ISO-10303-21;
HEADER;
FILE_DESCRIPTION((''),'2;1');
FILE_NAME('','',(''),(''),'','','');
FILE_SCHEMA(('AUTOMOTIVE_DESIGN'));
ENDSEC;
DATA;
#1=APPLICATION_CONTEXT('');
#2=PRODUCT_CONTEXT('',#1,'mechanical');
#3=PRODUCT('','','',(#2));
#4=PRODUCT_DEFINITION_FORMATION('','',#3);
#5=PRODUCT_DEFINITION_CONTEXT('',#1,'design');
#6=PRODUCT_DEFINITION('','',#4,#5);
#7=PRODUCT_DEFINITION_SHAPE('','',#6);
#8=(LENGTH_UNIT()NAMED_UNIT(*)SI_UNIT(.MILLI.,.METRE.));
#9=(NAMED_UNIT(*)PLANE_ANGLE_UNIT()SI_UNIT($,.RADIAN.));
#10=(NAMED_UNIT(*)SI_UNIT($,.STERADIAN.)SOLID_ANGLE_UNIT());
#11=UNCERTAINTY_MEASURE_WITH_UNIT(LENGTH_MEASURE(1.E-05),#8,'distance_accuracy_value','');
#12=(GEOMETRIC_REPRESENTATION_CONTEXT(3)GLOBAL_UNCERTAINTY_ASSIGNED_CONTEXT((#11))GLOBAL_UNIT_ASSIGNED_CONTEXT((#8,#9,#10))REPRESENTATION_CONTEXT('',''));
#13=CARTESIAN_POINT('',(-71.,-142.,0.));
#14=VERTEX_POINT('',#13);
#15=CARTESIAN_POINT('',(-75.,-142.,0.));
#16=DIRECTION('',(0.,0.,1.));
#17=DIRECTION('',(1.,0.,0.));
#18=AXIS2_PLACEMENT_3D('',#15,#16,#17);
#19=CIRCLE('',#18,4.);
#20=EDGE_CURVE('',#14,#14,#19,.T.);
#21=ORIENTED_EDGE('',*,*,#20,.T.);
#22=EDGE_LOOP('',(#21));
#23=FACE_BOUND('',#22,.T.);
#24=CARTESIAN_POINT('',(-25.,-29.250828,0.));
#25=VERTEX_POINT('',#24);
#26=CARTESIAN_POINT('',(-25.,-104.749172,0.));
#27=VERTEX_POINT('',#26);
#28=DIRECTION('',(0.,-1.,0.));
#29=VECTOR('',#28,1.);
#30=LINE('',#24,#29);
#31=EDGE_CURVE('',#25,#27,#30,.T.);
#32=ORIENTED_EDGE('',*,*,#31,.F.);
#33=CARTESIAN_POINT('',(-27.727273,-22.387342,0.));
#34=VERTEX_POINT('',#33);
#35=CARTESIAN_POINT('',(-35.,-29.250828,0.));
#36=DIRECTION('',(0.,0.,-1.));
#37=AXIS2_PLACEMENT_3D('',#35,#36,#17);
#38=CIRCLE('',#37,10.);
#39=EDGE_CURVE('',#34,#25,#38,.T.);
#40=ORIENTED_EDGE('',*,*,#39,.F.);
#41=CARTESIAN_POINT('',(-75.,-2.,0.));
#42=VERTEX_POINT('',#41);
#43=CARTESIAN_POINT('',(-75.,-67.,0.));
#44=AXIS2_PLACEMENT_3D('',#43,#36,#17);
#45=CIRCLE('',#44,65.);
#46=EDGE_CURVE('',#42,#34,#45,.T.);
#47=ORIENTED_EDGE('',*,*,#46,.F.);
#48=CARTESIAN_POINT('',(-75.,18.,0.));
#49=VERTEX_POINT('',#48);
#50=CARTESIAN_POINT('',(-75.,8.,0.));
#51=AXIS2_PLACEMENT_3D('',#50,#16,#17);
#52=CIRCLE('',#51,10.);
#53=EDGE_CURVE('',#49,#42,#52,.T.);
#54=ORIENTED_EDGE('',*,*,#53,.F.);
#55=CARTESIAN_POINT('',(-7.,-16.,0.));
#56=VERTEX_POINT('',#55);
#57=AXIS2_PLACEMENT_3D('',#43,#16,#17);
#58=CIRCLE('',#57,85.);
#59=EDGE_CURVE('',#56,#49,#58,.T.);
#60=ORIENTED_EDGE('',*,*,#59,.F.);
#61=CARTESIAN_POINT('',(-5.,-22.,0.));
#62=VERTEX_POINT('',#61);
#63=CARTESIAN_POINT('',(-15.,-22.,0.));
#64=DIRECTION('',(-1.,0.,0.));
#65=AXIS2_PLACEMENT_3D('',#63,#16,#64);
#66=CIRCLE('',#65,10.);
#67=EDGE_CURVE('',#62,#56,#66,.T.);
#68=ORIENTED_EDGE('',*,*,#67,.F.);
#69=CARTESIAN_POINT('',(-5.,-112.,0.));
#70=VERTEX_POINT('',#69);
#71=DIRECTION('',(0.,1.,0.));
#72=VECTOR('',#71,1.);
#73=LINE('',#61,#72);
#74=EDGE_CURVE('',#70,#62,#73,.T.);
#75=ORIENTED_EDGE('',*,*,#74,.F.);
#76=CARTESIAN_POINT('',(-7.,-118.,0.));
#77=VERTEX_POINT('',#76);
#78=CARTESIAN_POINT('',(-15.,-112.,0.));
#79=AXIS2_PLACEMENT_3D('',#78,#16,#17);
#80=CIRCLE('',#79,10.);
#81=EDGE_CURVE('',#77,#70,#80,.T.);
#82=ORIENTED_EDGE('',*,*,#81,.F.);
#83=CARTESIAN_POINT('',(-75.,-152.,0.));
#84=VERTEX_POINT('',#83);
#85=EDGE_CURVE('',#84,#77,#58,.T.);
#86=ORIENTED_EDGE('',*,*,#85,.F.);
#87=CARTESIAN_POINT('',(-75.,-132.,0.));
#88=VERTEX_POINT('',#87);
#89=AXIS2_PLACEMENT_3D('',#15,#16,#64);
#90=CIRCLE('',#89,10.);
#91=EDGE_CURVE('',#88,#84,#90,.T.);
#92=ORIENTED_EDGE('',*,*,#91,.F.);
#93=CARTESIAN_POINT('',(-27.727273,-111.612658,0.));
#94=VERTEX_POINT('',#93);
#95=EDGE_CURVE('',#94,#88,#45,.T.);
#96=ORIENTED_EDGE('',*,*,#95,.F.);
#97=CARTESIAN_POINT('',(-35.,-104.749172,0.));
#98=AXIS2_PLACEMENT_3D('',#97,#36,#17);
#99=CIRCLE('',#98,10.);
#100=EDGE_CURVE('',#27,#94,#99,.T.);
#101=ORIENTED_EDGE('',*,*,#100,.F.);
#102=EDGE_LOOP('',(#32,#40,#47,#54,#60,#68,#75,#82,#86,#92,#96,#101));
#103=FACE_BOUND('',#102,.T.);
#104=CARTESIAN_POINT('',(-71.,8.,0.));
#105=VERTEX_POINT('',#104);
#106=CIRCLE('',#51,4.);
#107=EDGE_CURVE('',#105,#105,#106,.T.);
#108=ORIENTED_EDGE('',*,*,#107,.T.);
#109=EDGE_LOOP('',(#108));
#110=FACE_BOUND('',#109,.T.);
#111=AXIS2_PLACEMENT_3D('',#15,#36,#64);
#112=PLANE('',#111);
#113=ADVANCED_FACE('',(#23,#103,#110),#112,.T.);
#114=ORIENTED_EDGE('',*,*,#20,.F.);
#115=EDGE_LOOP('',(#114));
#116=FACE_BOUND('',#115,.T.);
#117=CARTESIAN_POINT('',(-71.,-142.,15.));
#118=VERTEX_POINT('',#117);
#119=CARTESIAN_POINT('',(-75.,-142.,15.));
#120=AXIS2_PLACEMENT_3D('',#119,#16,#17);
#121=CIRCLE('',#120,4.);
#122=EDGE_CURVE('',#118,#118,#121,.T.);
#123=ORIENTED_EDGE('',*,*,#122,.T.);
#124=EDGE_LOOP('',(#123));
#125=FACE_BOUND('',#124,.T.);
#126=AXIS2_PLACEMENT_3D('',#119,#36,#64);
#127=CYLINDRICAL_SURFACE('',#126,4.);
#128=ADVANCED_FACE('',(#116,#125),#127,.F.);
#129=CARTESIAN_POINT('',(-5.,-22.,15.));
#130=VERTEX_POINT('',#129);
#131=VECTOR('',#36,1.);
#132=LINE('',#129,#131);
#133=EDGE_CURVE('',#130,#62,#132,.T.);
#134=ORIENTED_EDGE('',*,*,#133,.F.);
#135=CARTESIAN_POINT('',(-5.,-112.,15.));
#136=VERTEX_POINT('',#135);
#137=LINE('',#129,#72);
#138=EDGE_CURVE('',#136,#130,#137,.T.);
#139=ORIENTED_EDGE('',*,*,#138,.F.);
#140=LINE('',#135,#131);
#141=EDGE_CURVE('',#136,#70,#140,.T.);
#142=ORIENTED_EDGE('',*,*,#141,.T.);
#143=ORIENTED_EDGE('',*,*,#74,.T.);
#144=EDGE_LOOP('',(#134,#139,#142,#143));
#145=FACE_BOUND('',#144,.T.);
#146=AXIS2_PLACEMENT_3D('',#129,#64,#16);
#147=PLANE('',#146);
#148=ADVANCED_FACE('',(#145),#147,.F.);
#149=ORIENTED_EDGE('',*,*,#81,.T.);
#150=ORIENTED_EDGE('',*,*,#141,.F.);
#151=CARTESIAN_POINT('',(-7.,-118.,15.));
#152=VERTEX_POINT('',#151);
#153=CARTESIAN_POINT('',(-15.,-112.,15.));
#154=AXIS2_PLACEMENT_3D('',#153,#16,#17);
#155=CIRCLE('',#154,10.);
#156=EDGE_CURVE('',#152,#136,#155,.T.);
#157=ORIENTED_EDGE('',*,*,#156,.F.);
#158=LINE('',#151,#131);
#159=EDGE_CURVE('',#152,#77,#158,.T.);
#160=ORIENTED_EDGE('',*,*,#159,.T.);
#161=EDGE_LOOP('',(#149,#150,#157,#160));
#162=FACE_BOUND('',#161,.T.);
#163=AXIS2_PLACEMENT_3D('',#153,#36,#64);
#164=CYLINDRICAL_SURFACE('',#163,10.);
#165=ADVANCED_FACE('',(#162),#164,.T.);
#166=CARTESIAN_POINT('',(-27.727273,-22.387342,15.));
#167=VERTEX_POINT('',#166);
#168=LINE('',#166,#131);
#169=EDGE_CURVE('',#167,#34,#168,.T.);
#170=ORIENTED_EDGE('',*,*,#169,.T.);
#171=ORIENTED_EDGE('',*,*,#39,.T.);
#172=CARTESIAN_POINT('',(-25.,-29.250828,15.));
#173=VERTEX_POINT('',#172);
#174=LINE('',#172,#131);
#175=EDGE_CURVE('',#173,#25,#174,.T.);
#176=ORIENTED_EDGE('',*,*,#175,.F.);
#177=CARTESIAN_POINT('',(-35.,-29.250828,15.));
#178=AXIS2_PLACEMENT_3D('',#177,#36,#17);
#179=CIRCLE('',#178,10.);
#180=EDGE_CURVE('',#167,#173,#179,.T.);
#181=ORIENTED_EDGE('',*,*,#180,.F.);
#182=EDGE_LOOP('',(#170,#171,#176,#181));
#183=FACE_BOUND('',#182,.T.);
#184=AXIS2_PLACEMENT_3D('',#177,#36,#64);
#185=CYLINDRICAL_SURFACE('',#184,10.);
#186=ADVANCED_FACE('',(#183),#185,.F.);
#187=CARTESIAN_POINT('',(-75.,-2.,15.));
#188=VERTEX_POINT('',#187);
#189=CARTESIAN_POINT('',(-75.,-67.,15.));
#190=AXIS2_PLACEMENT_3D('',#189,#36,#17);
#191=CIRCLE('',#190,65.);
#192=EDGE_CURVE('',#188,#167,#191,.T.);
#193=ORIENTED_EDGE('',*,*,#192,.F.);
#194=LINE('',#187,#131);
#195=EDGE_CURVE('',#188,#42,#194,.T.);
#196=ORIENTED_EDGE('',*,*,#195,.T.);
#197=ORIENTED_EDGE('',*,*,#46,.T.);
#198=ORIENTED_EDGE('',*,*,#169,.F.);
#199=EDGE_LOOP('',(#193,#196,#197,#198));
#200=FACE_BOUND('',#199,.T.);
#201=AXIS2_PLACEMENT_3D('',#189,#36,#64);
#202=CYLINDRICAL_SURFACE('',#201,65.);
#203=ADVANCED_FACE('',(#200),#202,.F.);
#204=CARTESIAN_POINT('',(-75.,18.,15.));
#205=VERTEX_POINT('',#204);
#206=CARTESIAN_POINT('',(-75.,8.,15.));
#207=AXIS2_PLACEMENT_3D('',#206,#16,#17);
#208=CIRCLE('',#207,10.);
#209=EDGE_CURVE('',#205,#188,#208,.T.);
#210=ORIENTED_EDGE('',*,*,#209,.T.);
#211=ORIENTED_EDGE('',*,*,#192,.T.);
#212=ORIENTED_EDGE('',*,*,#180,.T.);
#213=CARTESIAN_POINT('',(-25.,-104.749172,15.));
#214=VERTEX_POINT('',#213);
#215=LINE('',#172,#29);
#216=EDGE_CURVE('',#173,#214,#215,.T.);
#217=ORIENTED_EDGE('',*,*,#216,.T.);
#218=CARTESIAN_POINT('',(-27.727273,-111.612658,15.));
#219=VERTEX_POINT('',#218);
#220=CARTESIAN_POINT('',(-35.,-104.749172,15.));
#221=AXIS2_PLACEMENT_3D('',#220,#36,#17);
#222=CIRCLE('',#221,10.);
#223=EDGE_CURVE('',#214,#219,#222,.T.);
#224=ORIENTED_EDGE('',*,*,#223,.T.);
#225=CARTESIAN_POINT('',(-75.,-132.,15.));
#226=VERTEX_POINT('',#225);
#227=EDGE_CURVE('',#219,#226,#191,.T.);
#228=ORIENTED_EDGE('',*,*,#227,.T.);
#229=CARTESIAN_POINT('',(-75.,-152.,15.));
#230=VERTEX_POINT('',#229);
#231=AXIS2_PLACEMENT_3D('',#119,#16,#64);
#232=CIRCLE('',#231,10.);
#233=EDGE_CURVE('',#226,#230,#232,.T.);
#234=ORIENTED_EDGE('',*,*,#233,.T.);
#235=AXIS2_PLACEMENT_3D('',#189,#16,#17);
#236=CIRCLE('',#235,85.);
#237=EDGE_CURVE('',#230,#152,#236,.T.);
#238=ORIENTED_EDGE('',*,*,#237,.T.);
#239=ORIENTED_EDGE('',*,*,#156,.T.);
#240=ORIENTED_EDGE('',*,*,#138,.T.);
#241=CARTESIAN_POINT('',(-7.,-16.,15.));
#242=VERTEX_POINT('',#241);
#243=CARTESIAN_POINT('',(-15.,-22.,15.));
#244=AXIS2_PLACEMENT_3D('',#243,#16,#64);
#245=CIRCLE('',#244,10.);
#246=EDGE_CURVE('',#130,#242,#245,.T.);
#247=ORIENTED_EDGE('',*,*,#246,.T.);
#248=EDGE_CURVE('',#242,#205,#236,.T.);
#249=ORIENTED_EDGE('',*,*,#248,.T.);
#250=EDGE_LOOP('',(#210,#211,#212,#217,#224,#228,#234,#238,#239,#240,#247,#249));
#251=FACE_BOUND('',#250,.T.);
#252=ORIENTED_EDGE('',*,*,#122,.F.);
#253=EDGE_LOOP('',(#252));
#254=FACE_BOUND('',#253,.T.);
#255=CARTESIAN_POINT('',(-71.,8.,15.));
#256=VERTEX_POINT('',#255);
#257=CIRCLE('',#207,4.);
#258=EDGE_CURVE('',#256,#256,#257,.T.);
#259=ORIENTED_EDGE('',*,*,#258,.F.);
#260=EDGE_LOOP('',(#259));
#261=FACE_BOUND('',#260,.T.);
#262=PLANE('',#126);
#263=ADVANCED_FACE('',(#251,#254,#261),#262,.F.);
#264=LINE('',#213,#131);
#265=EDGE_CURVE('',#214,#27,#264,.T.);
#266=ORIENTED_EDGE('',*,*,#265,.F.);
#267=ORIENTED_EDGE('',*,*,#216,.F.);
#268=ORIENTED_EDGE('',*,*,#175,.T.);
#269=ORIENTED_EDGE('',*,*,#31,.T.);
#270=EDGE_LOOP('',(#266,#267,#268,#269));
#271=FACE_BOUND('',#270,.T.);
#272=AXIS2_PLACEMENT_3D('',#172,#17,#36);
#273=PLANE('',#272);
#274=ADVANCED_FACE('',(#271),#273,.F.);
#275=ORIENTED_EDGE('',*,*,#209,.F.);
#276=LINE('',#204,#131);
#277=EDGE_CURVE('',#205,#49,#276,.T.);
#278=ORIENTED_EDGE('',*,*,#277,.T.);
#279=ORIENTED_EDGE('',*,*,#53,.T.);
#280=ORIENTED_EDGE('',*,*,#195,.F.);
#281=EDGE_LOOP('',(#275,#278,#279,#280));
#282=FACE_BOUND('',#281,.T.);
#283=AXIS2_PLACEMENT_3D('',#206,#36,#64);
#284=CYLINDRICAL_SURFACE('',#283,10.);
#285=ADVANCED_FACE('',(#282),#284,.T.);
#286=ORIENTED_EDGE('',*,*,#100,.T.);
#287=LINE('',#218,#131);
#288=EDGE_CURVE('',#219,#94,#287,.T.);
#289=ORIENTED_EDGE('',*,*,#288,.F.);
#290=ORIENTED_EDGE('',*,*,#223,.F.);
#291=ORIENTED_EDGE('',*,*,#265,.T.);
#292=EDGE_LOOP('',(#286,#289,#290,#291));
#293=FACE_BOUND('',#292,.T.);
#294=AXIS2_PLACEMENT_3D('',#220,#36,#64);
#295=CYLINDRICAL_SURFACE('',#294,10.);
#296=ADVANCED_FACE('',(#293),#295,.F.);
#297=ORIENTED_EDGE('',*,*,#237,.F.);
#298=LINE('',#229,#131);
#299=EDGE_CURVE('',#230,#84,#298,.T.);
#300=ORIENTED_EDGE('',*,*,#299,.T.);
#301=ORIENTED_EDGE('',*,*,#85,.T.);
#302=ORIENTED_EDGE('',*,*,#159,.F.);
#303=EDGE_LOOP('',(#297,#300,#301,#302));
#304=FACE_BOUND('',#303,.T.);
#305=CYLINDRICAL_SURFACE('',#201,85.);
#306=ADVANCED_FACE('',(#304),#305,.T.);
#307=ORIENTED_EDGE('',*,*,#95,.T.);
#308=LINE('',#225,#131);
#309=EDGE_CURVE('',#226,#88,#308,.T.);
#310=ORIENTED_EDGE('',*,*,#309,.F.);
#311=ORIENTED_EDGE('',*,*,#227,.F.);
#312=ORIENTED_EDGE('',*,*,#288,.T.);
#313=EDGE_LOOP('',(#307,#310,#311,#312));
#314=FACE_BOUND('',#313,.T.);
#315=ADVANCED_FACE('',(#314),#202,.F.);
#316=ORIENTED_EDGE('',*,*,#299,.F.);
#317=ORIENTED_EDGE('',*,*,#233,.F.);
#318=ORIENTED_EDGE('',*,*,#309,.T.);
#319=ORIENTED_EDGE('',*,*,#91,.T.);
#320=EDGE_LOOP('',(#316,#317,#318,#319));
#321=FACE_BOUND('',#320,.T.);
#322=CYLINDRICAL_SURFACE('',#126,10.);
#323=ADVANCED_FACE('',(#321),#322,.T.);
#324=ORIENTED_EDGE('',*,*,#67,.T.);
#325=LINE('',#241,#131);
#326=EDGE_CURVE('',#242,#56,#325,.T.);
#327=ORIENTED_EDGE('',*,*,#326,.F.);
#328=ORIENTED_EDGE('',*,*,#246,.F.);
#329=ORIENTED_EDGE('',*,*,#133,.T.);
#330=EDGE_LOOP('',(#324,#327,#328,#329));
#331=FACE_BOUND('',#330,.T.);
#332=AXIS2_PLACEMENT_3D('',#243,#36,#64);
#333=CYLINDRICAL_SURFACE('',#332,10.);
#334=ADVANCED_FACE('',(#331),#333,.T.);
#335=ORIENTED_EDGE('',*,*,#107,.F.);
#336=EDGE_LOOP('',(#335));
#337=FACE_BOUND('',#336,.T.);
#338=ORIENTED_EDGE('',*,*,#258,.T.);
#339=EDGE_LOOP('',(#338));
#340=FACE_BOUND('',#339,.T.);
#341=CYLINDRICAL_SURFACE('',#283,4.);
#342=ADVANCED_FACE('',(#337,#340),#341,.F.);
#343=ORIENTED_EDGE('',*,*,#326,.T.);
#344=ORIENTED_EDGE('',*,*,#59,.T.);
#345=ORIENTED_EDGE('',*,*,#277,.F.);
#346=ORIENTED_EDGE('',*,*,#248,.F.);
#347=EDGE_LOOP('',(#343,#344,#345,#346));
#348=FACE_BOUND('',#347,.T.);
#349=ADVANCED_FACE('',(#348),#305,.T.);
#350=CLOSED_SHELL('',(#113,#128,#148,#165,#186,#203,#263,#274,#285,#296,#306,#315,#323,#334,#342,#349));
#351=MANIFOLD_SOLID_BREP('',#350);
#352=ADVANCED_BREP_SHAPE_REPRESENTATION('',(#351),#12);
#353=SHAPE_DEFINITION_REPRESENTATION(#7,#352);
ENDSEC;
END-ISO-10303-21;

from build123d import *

# Parameters (mm, degrees)
SKIZZE1_R               = 4
LINEAR_AUSTRAGEN1_DEPTH = 15


with BuildPart() as part:
    # Skizze1 → Linear austragen1 (new body)
    with BuildSketch(Plane.XY):
        with BuildLine():
            Line((-25, -29.250827824), (-25, -104.749172176))
            ThreePointArc((-25, -104.749172176), (-25.706796227, -108.441916906), (-27.727272727, -111.612658027))
            ThreePointArc((-27.727272727, -111.612658027), (-49.259203312, -126.685939599), (-75, -132))
            ThreePointArc((-75, -132), (-85, -142), (-75, -152))
            ThreePointArc((-75, -152), (-36.986844383, -143.026311235), (-7, -118))
            ThreePointArc((-7, -118), (-5.513167019, -115.16227766), (-5, -112))
            Line((-5, -112), (-5, -22))
            ThreePointArc((-5, -22), (-5.513167019, -18.83772234), (-7, -16))
            ThreePointArc((-7, -16), (-36.986844383, 9.026311235), (-75, 18))
            ThreePointArc((-75, 18), (-85, 8), (-75, -2))
            ThreePointArc((-75, -2), (-49.259203312, -7.314060401), (-27.727272727, -22.387341973))
            ThreePointArc((-27.727272727, -22.387341973), (-25.706796227, -25.558083094), (-25, -29.250827824))
        make_face()
        with Locations((-75, -142)):
            Circle(SKIZZE1_R, mode=Mode.SUBTRACT)
        with Locations((-75, 8)):
            Circle(SKIZZE1_R, mode=Mode.SUBTRACT)
    extrude(amount=LINEAR_AUSTRAGEN1_DEPTH)


solid = part.part
